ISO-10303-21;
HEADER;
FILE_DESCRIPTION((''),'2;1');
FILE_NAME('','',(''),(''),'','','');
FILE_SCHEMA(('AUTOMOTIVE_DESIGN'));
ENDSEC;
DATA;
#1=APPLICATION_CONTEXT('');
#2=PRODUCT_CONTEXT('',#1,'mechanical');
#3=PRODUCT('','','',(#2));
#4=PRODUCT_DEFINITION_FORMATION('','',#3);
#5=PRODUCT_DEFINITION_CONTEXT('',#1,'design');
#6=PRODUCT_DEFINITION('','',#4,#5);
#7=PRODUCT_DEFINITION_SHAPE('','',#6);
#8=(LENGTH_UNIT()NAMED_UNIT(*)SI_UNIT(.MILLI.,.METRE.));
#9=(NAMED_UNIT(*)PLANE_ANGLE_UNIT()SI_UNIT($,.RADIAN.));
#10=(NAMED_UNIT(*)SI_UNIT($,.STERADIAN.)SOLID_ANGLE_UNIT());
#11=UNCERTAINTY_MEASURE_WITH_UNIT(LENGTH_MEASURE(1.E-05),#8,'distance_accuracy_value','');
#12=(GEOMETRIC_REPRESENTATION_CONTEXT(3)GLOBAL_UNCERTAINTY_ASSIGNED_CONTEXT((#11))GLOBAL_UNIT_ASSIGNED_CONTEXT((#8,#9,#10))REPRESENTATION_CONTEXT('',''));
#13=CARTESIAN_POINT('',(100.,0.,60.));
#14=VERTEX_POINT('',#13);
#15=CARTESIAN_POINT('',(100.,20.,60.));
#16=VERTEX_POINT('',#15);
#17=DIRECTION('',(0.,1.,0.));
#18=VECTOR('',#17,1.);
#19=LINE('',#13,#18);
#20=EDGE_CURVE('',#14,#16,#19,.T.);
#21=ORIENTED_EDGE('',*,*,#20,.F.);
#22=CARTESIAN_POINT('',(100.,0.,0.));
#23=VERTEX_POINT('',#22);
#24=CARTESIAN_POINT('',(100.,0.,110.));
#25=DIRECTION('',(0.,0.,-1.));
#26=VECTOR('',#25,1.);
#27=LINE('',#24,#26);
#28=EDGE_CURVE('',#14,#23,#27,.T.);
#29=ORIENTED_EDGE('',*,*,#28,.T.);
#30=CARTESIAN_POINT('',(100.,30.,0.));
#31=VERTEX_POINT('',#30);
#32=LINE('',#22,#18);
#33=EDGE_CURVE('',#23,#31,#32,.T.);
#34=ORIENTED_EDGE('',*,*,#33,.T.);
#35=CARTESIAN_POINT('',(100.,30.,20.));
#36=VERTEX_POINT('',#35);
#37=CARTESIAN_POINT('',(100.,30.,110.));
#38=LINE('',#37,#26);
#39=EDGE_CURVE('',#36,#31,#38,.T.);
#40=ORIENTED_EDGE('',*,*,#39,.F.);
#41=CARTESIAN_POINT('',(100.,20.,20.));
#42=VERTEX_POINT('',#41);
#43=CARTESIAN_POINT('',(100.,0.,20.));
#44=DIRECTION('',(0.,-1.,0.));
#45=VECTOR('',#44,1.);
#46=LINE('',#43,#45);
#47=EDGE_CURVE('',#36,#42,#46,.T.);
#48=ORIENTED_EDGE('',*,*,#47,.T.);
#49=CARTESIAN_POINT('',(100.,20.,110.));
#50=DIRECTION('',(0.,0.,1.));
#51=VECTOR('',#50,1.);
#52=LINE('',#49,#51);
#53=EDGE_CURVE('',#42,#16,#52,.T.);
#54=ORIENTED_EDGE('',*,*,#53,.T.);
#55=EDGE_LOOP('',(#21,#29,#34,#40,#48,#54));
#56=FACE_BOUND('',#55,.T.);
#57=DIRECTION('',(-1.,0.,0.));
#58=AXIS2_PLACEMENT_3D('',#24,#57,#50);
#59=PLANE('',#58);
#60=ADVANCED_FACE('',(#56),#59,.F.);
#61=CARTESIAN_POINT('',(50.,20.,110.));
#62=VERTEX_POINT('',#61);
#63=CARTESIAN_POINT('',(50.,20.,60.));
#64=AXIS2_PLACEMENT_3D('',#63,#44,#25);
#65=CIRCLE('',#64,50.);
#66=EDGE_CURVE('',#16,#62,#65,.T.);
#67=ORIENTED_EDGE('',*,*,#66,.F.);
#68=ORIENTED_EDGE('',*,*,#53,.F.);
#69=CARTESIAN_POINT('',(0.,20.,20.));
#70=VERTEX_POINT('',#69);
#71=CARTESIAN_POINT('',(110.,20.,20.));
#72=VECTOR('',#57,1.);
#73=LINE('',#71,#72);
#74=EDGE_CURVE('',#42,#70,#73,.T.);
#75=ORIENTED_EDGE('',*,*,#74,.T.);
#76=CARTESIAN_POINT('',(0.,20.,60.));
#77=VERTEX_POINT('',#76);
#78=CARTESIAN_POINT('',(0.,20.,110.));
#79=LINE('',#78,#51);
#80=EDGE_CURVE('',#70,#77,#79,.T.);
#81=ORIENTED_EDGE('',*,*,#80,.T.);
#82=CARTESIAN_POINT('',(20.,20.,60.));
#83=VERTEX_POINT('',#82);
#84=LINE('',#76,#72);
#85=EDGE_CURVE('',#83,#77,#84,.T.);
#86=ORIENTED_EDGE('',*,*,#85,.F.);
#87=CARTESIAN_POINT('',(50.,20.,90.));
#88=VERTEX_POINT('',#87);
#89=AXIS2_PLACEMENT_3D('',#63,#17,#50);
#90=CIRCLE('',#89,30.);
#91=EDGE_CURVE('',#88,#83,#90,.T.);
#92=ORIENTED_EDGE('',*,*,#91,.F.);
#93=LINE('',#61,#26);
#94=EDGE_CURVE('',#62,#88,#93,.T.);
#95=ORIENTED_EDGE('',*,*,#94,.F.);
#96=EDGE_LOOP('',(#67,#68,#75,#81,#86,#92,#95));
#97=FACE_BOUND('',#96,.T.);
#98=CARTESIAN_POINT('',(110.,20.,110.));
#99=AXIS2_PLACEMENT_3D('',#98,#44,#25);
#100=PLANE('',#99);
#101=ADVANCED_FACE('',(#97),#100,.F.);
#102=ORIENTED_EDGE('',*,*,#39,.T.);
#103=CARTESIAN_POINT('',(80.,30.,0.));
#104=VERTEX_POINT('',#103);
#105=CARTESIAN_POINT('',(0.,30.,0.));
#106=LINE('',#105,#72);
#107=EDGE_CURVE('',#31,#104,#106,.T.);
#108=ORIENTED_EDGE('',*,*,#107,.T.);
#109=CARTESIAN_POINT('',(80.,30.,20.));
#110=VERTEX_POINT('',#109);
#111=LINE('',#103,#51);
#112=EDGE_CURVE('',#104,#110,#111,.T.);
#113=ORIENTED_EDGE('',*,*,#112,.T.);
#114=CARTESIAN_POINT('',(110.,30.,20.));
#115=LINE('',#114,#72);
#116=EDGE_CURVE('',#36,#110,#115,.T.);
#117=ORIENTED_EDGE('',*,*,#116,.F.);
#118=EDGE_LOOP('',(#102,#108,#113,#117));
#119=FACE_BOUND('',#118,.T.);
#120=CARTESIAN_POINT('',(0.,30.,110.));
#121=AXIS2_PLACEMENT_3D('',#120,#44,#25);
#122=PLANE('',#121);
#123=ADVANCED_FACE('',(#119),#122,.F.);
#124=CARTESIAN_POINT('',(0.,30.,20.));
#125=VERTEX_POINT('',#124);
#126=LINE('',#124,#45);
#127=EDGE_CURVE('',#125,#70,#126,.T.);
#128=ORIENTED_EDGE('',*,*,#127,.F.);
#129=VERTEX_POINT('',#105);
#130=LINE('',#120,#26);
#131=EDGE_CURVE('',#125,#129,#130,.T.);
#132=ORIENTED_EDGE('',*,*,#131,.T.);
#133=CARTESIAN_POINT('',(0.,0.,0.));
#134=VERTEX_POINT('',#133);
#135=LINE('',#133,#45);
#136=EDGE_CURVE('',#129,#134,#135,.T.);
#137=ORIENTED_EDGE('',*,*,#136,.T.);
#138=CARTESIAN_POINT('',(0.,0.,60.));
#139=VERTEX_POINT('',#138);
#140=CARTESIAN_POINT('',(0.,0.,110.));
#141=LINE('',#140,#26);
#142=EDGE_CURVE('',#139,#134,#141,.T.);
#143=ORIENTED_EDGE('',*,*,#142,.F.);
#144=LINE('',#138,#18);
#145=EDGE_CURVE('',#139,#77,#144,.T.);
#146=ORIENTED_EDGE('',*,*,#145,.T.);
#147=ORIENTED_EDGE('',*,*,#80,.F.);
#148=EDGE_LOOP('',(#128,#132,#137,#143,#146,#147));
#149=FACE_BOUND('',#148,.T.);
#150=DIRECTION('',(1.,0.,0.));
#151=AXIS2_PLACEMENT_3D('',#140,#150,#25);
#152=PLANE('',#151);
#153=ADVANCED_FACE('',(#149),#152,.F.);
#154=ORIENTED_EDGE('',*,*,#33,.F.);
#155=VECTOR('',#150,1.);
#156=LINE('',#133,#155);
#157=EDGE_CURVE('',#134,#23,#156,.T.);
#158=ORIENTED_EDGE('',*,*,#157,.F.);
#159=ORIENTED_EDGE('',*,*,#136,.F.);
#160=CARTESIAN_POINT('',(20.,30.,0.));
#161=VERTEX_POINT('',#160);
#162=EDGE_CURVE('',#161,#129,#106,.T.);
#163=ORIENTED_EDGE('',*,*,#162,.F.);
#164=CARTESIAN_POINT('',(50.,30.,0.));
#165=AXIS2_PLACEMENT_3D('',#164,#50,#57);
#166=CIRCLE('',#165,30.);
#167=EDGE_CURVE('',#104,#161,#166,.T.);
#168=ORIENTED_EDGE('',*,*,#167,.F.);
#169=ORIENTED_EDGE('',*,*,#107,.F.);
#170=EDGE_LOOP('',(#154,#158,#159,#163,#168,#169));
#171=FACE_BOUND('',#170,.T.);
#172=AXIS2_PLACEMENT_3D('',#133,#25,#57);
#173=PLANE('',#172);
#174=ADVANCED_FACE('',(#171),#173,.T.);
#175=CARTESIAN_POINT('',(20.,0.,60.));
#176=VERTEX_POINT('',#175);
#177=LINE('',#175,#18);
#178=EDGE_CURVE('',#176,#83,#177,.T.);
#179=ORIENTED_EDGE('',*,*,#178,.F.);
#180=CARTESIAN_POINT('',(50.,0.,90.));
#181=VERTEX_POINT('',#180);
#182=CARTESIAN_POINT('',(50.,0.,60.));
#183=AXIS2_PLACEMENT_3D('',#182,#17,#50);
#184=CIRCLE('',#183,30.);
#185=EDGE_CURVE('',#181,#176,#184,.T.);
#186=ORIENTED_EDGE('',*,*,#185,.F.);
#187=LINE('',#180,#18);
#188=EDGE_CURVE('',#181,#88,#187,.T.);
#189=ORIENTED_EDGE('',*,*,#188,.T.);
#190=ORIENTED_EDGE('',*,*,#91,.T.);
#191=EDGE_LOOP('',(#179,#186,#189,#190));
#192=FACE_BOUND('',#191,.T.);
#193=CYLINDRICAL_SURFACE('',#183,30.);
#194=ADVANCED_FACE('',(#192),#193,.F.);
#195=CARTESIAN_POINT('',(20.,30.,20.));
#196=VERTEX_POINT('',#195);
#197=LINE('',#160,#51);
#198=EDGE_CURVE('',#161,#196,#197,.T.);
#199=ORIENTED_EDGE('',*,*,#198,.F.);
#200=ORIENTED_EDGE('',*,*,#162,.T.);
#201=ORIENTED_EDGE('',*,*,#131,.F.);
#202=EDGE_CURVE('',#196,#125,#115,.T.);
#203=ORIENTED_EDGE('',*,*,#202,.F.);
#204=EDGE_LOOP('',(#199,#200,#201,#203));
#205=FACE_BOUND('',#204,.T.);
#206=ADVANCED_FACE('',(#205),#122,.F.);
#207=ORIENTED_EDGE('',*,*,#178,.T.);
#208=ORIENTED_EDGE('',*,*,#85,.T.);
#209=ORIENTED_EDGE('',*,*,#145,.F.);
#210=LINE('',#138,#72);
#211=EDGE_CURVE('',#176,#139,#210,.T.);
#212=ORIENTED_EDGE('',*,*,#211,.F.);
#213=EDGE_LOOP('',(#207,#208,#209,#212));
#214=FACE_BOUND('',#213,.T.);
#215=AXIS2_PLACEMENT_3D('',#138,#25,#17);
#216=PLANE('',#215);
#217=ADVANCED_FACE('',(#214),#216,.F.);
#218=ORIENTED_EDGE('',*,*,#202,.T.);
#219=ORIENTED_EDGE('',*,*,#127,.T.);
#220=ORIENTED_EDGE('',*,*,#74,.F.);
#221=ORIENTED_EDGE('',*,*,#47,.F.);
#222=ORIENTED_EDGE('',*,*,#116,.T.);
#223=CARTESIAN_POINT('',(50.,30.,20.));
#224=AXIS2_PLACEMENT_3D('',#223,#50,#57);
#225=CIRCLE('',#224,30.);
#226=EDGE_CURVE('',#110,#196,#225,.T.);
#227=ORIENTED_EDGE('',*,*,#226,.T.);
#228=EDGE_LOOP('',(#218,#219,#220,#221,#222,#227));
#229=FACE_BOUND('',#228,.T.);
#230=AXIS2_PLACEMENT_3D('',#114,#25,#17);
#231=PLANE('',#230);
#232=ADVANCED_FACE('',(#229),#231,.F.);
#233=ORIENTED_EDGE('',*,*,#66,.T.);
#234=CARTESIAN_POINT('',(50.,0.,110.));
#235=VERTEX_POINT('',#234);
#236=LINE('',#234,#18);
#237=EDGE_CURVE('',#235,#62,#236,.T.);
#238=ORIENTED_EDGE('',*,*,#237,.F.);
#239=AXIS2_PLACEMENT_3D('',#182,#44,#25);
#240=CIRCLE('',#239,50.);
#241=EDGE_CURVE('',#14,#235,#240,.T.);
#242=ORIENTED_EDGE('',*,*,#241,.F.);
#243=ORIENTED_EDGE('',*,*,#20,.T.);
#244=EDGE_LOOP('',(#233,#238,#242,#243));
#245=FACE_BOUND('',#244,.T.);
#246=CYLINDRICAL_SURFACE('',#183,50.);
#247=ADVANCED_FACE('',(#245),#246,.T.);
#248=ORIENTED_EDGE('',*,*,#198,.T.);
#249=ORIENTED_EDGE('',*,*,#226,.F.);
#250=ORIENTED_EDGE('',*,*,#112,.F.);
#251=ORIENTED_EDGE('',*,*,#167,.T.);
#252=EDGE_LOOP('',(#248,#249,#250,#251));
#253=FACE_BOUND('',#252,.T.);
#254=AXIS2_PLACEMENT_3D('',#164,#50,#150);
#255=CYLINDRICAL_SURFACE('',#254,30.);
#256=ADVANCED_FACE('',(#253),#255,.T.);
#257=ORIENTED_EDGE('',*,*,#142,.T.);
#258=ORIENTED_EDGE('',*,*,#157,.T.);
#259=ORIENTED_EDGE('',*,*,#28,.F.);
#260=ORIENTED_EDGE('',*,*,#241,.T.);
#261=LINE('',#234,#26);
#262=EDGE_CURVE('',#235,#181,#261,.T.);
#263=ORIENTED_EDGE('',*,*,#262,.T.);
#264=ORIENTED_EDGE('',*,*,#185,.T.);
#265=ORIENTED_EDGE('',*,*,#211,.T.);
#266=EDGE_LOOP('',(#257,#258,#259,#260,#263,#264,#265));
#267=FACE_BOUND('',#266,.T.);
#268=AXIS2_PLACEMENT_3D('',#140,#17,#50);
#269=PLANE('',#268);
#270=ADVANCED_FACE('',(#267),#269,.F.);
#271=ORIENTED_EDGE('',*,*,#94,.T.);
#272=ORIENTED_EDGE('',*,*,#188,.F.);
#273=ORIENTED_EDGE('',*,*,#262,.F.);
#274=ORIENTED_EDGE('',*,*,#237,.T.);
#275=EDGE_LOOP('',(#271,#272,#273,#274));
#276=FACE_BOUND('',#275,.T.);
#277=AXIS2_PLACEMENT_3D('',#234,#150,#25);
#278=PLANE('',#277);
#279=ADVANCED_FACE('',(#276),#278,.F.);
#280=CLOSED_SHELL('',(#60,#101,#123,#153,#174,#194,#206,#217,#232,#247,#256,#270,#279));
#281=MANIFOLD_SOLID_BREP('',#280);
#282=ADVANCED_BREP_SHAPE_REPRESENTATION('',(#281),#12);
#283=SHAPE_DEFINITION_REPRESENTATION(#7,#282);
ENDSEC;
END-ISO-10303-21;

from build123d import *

# Parameters (mm, degrees)
SKETCH1_W           = 100
SKETCH1_H           = 30
BOSS_EXTRUDE1_DEPTH = 110
SKETCH2_W           = 90
SKETCH2_H           = 10
CUT_EXTRUDE1_DEPTH  = 110
BOSS_EXTRUDE2_DEPTH = 20
CUT_EXTRUDE2_DEPTH  = 20
SKETCH5_W           = 50
SKETCH5_H           = 50
CUT_EXTRUDE3_DEPTH  = 20
CUT_EXTRUDE4_DEPTH  = 20


with BuildPart() as part:
    # Sketch1 → Boss-Extrude1 (new body)
    with BuildSketch(Plane.XY):
        with Locations((50, 15)):
            Rectangle(SKETCH1_W, SKETCH1_H)
    extrude(amount=BOSS_EXTRUDE1_DEPTH)

    # Sketch2 → Cut-Extrude1 (cut)
    with BuildSketch(Plane.ZY):
        with Locations((65, 25)):
            Rectangle(SKETCH2_W, SKETCH2_H)
    extrude(amount=-CUT_EXTRUDE1_DEPTH, mode=Mode.SUBTRACT)

    # Sketch3 → Boss-Extrude2 (add)
    with BuildSketch(Plane.XY.offset(20)):
        with BuildLine():
            Line((20, 30), (80, 30))
            ThreePointArc((80, 30), (50, 60), (20, 30))
        make_face()
    extrude(amount=-BOSS_EXTRUDE2_DEPTH)

    # Sketch4 → Cut-Extrude2 (cut)
    with BuildSketch(Plane(origin=(0, 20, 0), x_dir=(1, 0, 0), z_dir=(0, 1, 0))):
        with BuildLine():
            Line((50, -110), (100, -110))
            Line((100, -110), (100, -60))
            ThreePointArc((100, -60), (85.355339059, -95.355339059), (50, -110))
        make_face()
    extrude(amount=-CUT_EXTRUDE2_DEPTH, mode=Mode.SUBTRACT)

    # Sketch5 → Cut-Extrude3 (cut)
    with BuildSketch(Plane(origin=(0, 20, 0), x_dir=(1, 0, 0), z_dir=(0, 1, 0))):
        with Locations((25, -85)):
            Rectangle(SKETCH5_W, SKETCH5_H)
    extrude(amount=-CUT_EXTRUDE3_DEPTH, mode=Mode.SUBTRACT)

    # Sketch6 → Cut-Extrude4 (cut)
    with BuildSketch(Plane(origin=(0, 20, 0), x_dir=(1, 0, 0), z_dir=(0, 1, 0))):
        with BuildLine():
            Line((20, -60), (50, -60))
            Line((50, -60), (50, -90))
            ThreePointArc((50, -90), (71.213203436, -38.786796564), (20, -60))
        make_face()
    extrude(amount=-CUT_EXTRUDE4_DEPTH, mode=Mode.SUBTRACT)


solid = part.part
